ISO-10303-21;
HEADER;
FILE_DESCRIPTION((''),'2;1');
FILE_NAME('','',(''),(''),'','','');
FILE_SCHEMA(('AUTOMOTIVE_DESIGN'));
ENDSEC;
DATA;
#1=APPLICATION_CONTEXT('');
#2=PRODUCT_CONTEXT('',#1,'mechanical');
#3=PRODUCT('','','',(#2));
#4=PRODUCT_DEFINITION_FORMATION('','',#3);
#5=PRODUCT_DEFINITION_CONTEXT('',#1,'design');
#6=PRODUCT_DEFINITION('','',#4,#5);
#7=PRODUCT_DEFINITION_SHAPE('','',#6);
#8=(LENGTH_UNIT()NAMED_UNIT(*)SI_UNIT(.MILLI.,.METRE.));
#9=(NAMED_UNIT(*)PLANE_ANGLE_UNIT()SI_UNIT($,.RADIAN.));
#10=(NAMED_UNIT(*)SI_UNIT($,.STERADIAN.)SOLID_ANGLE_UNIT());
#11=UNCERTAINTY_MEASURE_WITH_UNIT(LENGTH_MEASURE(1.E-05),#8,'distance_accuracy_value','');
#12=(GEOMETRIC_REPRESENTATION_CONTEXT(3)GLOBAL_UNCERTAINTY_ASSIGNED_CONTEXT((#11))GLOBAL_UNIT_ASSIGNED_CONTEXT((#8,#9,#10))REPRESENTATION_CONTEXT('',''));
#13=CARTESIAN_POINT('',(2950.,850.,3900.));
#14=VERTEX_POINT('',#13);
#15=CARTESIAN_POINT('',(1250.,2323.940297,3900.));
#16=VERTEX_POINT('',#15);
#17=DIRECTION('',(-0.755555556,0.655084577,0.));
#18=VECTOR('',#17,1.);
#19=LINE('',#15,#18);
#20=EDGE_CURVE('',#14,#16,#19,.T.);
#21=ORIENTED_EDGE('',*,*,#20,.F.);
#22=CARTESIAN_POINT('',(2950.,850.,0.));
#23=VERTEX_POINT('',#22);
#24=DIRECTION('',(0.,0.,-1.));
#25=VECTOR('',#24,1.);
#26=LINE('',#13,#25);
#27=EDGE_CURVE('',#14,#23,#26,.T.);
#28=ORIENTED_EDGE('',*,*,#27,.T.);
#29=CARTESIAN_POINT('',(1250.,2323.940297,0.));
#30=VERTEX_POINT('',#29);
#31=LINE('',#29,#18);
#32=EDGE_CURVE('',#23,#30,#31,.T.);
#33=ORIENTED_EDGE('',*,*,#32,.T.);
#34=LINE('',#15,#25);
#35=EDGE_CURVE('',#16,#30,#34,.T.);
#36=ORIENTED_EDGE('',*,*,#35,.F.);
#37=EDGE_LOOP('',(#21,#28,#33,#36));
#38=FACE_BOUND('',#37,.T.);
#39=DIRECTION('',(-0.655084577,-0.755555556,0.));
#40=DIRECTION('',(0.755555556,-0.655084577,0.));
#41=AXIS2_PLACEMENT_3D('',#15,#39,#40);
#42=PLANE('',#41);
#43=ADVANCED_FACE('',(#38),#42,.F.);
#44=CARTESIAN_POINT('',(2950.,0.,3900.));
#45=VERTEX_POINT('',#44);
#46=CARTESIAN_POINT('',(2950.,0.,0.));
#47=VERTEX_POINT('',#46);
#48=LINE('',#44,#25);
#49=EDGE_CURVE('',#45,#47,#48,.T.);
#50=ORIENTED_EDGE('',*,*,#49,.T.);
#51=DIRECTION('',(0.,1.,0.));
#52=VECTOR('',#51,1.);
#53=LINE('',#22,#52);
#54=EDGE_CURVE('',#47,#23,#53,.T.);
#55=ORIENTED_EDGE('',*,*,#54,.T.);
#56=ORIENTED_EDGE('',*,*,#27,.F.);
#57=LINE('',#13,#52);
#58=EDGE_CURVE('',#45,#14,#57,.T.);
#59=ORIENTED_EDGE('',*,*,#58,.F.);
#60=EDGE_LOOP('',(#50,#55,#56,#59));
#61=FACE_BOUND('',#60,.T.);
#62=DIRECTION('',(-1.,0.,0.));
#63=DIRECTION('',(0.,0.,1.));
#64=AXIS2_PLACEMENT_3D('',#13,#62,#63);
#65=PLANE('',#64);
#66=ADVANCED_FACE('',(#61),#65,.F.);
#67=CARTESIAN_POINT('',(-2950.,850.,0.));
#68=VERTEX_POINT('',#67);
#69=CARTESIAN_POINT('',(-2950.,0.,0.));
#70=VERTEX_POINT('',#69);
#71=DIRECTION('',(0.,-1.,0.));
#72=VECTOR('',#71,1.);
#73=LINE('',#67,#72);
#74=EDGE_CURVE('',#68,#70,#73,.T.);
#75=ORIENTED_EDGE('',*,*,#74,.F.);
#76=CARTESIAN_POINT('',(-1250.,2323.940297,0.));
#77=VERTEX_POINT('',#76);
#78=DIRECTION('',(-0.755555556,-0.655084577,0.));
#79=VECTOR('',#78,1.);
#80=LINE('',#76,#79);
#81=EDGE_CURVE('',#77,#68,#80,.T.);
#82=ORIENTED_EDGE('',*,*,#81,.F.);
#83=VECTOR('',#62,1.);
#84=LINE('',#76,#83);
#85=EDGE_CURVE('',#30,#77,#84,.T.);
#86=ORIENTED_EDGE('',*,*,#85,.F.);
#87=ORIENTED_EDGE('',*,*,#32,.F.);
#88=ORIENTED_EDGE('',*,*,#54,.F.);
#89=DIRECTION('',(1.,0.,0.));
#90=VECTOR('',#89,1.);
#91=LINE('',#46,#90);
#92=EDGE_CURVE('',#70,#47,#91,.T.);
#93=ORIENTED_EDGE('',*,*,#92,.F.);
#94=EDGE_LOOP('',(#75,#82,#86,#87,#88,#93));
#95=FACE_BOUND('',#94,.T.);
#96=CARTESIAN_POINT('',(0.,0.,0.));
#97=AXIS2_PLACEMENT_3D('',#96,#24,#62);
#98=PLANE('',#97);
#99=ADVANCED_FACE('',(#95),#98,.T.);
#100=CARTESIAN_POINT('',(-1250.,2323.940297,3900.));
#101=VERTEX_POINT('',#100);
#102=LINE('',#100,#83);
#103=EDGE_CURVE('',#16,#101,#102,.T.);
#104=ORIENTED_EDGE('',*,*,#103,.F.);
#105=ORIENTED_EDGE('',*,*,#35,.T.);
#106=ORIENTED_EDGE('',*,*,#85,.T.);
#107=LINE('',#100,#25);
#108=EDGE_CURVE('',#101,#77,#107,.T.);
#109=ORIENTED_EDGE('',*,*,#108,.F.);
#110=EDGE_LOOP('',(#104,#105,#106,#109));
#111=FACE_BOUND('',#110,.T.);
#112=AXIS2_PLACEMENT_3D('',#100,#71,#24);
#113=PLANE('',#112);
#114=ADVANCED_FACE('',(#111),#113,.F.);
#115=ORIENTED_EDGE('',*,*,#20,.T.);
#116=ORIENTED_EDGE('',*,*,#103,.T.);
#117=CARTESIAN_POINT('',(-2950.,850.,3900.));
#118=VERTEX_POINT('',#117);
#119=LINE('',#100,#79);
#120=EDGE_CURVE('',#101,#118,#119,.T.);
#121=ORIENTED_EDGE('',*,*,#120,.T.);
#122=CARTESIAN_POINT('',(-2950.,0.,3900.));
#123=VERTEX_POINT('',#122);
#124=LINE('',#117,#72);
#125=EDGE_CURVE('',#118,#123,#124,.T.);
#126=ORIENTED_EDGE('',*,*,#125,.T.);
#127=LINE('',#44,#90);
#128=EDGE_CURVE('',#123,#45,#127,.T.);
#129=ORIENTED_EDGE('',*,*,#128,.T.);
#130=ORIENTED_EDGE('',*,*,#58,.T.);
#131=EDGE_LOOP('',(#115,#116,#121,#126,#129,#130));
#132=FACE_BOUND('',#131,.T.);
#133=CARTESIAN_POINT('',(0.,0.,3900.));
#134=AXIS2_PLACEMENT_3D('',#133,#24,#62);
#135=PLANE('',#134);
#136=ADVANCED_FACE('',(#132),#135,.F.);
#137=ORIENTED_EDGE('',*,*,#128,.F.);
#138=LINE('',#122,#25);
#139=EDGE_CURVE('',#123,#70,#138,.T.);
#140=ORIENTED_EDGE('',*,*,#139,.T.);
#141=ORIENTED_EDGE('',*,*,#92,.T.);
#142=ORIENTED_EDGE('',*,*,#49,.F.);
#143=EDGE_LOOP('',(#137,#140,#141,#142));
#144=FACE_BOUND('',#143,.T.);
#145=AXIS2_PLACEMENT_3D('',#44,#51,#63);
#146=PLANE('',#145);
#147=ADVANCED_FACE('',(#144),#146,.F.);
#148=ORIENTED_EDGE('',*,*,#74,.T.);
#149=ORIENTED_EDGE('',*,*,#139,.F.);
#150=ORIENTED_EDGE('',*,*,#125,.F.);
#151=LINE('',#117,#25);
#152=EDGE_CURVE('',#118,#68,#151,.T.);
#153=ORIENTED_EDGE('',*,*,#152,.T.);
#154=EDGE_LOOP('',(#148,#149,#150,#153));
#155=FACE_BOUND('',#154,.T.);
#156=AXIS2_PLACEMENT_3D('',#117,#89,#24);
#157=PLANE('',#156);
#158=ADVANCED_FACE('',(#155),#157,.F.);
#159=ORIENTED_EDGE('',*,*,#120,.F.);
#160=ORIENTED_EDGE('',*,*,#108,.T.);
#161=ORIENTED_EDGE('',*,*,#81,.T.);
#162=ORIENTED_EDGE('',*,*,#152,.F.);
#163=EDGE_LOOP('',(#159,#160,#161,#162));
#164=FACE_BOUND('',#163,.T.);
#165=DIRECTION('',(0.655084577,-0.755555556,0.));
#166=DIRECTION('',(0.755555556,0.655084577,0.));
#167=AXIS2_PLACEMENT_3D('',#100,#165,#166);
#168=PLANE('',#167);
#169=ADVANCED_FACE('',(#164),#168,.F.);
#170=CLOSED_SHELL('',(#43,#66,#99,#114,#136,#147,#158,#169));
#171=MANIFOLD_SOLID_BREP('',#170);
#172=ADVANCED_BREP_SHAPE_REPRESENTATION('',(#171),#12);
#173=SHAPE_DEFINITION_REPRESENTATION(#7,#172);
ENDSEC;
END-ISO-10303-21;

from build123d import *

# Parameters (mm, degrees)
BOSS_EXTRU_1_DEPTH = 3900


with BuildPart() as part:
    # Esquisse1 → Boss.-Extru.1 (new body)
    with BuildSketch(Plane.XY):
        Polygon((-1250, 2323.940297298), (1250, 2323.940297298), (2950, 850), (2950, 0), (-2950, 0), (-2950, 850), align=None)
    extrude(amount=BOSS_EXTRU_1_DEPTH)


solid = part.part
